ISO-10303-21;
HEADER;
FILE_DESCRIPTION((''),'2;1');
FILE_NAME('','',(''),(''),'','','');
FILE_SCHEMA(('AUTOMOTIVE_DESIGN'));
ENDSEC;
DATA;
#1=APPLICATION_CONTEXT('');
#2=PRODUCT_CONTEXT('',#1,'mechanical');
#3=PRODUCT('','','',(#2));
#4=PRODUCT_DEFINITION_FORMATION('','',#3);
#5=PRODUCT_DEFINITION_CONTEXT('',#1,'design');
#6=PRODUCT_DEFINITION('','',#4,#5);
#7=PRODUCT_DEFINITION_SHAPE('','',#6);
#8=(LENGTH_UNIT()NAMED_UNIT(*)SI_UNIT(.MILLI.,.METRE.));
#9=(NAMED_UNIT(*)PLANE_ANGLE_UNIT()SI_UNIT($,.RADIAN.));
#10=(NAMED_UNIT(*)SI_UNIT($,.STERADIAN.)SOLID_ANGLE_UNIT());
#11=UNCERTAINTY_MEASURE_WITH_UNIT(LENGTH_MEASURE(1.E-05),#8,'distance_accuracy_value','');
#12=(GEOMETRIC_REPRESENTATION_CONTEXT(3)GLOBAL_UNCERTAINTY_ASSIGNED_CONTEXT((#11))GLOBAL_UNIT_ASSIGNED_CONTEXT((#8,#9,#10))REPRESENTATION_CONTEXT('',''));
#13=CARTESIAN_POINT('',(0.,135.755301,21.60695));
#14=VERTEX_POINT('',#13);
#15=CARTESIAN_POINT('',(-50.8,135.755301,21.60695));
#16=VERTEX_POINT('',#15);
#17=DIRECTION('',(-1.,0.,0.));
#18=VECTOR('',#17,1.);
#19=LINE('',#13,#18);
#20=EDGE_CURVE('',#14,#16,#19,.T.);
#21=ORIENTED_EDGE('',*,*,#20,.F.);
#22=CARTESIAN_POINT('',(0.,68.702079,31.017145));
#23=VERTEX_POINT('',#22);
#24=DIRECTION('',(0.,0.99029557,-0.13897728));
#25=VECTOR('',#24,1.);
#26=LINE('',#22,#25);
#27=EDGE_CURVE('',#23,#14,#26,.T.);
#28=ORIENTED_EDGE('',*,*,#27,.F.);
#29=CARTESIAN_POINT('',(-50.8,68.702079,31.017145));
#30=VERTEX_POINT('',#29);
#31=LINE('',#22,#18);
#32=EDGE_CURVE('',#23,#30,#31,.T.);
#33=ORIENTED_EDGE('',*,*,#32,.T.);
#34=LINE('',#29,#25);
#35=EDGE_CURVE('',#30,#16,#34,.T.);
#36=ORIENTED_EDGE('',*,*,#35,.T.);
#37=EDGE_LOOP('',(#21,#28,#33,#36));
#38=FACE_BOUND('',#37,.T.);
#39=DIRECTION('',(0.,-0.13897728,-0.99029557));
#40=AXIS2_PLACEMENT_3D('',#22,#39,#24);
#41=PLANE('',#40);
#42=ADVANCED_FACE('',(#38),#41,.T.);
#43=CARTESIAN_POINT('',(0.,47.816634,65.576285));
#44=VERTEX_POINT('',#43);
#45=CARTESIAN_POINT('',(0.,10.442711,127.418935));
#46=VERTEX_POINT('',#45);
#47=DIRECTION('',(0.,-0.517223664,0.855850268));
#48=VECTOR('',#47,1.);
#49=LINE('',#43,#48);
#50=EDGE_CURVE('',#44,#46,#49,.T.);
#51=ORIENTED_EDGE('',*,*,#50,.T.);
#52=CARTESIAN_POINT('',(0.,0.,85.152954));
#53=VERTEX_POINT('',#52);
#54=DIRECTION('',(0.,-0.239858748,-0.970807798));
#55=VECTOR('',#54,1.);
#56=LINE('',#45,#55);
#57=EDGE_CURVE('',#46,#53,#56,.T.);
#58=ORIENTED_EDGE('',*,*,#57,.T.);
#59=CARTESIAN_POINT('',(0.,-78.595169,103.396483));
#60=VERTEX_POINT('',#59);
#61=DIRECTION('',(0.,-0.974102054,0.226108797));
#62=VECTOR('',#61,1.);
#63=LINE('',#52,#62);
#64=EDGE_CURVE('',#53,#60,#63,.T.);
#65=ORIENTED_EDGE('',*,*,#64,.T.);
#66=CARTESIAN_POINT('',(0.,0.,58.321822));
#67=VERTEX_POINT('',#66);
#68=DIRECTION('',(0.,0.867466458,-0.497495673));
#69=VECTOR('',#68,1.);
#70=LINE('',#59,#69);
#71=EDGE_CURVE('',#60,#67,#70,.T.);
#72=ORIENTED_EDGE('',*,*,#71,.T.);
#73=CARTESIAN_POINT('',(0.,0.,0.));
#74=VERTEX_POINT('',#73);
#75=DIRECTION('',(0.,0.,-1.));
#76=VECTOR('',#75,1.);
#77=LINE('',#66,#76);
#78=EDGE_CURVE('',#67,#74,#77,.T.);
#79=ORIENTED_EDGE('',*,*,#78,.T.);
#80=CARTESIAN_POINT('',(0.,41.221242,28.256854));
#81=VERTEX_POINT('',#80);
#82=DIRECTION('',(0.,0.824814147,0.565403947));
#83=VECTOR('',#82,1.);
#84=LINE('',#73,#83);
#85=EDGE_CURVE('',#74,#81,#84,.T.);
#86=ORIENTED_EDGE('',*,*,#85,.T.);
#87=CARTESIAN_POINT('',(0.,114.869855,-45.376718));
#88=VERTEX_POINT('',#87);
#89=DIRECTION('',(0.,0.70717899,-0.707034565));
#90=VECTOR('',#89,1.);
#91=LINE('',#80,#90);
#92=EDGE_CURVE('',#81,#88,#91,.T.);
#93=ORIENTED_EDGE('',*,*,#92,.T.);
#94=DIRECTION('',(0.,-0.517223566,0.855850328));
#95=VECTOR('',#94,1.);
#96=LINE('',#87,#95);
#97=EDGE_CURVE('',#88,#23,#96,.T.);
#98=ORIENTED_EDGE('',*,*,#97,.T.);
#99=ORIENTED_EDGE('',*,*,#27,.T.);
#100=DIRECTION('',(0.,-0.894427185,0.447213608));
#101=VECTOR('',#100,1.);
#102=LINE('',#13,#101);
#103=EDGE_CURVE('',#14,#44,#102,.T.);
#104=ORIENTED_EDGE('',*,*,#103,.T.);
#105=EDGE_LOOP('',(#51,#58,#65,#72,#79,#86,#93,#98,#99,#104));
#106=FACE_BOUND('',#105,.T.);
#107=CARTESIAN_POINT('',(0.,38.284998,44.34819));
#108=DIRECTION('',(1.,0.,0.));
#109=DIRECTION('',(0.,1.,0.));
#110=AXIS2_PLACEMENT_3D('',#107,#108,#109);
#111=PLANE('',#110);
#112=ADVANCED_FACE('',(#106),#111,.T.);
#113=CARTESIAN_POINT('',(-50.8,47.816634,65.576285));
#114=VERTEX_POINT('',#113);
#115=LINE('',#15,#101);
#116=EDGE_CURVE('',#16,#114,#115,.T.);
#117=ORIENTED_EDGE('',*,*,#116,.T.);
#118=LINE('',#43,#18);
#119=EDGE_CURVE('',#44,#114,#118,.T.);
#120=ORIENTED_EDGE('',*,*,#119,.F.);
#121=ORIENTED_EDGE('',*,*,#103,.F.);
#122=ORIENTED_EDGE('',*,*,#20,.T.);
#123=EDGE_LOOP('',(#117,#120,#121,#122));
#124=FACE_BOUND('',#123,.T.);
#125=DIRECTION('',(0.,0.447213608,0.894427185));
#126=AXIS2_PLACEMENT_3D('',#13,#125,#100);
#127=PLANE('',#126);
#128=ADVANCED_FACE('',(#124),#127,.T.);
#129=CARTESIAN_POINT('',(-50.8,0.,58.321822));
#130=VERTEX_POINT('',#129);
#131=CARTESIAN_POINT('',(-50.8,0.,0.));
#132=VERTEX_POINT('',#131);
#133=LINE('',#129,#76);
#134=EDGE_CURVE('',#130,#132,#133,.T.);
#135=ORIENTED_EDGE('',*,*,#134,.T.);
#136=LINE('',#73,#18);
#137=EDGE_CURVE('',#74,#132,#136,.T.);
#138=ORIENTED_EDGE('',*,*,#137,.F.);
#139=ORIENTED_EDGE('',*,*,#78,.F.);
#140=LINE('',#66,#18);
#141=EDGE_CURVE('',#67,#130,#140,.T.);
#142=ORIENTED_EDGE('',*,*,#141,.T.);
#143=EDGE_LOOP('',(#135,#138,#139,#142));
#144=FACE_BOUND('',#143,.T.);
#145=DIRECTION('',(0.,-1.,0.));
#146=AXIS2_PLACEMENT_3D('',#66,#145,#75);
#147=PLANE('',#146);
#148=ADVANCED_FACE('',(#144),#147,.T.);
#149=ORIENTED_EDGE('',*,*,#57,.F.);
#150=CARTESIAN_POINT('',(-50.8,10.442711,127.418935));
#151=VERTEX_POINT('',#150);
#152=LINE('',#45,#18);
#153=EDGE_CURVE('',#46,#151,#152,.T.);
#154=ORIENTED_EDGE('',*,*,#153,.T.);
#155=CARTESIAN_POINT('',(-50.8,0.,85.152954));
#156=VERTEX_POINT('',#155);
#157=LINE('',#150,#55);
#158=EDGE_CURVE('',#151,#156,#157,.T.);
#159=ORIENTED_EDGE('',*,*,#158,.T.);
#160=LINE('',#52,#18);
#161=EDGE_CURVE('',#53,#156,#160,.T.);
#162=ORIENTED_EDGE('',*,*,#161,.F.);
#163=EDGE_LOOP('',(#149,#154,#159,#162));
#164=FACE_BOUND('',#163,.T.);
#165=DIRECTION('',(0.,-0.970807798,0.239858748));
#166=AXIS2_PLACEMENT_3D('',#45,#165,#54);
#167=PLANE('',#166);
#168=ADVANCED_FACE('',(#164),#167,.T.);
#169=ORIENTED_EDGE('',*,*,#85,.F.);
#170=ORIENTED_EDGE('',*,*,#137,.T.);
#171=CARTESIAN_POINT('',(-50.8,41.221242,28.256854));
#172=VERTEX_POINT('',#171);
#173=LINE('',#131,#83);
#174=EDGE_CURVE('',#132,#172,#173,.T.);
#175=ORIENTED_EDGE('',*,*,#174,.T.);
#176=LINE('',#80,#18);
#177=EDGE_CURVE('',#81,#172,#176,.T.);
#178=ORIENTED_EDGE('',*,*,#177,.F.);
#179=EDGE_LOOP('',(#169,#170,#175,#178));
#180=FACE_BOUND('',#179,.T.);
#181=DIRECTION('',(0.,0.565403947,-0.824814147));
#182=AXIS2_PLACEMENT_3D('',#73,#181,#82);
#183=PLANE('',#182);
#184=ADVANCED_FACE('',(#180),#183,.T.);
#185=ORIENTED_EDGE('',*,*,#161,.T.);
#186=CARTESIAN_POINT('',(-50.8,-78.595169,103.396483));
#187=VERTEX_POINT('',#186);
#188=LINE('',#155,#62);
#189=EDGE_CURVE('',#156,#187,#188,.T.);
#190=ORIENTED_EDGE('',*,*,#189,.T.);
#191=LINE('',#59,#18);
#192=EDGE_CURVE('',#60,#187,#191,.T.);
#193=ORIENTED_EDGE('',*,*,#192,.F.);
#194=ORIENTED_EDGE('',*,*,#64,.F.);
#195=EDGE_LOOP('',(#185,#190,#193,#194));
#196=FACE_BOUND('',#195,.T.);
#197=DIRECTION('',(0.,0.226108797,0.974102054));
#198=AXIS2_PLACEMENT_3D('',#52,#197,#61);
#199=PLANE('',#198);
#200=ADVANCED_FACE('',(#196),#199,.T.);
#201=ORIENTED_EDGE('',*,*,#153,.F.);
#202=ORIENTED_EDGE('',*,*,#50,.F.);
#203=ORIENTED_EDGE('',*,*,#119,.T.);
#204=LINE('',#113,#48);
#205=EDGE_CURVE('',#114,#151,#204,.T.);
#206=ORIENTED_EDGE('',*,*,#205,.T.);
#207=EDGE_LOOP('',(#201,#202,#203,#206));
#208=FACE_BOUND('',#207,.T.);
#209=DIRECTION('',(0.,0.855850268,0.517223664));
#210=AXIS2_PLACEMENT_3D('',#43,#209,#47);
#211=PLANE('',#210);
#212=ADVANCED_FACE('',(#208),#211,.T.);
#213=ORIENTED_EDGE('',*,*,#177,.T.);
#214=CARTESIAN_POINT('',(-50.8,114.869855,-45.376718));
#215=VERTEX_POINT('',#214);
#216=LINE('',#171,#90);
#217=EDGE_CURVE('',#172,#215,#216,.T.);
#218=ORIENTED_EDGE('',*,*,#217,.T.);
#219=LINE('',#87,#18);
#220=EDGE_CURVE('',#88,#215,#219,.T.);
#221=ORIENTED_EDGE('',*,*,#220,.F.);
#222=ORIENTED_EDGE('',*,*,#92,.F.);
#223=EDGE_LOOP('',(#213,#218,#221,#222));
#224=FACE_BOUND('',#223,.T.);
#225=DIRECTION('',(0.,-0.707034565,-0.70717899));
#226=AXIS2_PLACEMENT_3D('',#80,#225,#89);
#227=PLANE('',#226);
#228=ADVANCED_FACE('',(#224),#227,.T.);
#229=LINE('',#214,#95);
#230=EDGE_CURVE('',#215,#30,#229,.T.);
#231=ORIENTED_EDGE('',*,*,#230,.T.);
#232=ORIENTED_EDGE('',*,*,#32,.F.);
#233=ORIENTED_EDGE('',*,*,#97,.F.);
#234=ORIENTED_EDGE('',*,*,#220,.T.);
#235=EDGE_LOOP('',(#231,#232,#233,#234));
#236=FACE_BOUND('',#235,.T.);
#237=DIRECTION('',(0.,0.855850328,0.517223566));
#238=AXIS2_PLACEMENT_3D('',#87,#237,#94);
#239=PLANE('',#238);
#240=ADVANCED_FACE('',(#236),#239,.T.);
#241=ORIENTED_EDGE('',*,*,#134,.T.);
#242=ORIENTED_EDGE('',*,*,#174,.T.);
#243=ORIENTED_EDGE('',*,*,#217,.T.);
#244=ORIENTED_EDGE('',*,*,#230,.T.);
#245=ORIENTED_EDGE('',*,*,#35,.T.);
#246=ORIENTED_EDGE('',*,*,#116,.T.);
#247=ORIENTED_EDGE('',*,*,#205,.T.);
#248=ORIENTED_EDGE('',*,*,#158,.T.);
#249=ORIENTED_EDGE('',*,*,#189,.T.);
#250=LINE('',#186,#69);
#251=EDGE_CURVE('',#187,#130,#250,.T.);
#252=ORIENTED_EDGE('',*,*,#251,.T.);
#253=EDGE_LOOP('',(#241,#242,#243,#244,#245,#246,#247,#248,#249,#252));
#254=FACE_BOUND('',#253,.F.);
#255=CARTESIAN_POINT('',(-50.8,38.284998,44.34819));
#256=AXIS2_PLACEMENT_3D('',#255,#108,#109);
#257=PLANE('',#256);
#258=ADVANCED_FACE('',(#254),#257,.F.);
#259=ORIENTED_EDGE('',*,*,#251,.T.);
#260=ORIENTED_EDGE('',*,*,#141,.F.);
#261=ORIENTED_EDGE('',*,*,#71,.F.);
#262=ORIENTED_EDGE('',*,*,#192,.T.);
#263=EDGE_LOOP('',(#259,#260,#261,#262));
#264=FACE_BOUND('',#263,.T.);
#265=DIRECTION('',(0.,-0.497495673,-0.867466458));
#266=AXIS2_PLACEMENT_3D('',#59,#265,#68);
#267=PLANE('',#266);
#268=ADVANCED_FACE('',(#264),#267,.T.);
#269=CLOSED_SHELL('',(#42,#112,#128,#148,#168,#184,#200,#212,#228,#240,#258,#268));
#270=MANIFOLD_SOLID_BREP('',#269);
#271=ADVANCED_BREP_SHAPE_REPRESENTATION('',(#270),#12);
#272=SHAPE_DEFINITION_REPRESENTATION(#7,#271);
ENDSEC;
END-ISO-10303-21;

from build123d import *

# Parameters (mm, degrees)
F1_DEPTH = 50.8


with BuildPart() as f1:
    # F0 (on Right) → F1 (new body)
    with BuildSketch(Plane.YZ):
        Polygon((0, 58.321822), (0, 0), (41.221242, 28.256854), (114.869855, -45.376718), (68.702079, 31.017145), (135.755301, 21.60695), (47.816634, 65.576285), (10.442711, 127.418935), (0, 85.152954), (-78.595169, 103.396483), align=None)
    extrude(amount=-F1_DEPTH)


solid = f1.part
